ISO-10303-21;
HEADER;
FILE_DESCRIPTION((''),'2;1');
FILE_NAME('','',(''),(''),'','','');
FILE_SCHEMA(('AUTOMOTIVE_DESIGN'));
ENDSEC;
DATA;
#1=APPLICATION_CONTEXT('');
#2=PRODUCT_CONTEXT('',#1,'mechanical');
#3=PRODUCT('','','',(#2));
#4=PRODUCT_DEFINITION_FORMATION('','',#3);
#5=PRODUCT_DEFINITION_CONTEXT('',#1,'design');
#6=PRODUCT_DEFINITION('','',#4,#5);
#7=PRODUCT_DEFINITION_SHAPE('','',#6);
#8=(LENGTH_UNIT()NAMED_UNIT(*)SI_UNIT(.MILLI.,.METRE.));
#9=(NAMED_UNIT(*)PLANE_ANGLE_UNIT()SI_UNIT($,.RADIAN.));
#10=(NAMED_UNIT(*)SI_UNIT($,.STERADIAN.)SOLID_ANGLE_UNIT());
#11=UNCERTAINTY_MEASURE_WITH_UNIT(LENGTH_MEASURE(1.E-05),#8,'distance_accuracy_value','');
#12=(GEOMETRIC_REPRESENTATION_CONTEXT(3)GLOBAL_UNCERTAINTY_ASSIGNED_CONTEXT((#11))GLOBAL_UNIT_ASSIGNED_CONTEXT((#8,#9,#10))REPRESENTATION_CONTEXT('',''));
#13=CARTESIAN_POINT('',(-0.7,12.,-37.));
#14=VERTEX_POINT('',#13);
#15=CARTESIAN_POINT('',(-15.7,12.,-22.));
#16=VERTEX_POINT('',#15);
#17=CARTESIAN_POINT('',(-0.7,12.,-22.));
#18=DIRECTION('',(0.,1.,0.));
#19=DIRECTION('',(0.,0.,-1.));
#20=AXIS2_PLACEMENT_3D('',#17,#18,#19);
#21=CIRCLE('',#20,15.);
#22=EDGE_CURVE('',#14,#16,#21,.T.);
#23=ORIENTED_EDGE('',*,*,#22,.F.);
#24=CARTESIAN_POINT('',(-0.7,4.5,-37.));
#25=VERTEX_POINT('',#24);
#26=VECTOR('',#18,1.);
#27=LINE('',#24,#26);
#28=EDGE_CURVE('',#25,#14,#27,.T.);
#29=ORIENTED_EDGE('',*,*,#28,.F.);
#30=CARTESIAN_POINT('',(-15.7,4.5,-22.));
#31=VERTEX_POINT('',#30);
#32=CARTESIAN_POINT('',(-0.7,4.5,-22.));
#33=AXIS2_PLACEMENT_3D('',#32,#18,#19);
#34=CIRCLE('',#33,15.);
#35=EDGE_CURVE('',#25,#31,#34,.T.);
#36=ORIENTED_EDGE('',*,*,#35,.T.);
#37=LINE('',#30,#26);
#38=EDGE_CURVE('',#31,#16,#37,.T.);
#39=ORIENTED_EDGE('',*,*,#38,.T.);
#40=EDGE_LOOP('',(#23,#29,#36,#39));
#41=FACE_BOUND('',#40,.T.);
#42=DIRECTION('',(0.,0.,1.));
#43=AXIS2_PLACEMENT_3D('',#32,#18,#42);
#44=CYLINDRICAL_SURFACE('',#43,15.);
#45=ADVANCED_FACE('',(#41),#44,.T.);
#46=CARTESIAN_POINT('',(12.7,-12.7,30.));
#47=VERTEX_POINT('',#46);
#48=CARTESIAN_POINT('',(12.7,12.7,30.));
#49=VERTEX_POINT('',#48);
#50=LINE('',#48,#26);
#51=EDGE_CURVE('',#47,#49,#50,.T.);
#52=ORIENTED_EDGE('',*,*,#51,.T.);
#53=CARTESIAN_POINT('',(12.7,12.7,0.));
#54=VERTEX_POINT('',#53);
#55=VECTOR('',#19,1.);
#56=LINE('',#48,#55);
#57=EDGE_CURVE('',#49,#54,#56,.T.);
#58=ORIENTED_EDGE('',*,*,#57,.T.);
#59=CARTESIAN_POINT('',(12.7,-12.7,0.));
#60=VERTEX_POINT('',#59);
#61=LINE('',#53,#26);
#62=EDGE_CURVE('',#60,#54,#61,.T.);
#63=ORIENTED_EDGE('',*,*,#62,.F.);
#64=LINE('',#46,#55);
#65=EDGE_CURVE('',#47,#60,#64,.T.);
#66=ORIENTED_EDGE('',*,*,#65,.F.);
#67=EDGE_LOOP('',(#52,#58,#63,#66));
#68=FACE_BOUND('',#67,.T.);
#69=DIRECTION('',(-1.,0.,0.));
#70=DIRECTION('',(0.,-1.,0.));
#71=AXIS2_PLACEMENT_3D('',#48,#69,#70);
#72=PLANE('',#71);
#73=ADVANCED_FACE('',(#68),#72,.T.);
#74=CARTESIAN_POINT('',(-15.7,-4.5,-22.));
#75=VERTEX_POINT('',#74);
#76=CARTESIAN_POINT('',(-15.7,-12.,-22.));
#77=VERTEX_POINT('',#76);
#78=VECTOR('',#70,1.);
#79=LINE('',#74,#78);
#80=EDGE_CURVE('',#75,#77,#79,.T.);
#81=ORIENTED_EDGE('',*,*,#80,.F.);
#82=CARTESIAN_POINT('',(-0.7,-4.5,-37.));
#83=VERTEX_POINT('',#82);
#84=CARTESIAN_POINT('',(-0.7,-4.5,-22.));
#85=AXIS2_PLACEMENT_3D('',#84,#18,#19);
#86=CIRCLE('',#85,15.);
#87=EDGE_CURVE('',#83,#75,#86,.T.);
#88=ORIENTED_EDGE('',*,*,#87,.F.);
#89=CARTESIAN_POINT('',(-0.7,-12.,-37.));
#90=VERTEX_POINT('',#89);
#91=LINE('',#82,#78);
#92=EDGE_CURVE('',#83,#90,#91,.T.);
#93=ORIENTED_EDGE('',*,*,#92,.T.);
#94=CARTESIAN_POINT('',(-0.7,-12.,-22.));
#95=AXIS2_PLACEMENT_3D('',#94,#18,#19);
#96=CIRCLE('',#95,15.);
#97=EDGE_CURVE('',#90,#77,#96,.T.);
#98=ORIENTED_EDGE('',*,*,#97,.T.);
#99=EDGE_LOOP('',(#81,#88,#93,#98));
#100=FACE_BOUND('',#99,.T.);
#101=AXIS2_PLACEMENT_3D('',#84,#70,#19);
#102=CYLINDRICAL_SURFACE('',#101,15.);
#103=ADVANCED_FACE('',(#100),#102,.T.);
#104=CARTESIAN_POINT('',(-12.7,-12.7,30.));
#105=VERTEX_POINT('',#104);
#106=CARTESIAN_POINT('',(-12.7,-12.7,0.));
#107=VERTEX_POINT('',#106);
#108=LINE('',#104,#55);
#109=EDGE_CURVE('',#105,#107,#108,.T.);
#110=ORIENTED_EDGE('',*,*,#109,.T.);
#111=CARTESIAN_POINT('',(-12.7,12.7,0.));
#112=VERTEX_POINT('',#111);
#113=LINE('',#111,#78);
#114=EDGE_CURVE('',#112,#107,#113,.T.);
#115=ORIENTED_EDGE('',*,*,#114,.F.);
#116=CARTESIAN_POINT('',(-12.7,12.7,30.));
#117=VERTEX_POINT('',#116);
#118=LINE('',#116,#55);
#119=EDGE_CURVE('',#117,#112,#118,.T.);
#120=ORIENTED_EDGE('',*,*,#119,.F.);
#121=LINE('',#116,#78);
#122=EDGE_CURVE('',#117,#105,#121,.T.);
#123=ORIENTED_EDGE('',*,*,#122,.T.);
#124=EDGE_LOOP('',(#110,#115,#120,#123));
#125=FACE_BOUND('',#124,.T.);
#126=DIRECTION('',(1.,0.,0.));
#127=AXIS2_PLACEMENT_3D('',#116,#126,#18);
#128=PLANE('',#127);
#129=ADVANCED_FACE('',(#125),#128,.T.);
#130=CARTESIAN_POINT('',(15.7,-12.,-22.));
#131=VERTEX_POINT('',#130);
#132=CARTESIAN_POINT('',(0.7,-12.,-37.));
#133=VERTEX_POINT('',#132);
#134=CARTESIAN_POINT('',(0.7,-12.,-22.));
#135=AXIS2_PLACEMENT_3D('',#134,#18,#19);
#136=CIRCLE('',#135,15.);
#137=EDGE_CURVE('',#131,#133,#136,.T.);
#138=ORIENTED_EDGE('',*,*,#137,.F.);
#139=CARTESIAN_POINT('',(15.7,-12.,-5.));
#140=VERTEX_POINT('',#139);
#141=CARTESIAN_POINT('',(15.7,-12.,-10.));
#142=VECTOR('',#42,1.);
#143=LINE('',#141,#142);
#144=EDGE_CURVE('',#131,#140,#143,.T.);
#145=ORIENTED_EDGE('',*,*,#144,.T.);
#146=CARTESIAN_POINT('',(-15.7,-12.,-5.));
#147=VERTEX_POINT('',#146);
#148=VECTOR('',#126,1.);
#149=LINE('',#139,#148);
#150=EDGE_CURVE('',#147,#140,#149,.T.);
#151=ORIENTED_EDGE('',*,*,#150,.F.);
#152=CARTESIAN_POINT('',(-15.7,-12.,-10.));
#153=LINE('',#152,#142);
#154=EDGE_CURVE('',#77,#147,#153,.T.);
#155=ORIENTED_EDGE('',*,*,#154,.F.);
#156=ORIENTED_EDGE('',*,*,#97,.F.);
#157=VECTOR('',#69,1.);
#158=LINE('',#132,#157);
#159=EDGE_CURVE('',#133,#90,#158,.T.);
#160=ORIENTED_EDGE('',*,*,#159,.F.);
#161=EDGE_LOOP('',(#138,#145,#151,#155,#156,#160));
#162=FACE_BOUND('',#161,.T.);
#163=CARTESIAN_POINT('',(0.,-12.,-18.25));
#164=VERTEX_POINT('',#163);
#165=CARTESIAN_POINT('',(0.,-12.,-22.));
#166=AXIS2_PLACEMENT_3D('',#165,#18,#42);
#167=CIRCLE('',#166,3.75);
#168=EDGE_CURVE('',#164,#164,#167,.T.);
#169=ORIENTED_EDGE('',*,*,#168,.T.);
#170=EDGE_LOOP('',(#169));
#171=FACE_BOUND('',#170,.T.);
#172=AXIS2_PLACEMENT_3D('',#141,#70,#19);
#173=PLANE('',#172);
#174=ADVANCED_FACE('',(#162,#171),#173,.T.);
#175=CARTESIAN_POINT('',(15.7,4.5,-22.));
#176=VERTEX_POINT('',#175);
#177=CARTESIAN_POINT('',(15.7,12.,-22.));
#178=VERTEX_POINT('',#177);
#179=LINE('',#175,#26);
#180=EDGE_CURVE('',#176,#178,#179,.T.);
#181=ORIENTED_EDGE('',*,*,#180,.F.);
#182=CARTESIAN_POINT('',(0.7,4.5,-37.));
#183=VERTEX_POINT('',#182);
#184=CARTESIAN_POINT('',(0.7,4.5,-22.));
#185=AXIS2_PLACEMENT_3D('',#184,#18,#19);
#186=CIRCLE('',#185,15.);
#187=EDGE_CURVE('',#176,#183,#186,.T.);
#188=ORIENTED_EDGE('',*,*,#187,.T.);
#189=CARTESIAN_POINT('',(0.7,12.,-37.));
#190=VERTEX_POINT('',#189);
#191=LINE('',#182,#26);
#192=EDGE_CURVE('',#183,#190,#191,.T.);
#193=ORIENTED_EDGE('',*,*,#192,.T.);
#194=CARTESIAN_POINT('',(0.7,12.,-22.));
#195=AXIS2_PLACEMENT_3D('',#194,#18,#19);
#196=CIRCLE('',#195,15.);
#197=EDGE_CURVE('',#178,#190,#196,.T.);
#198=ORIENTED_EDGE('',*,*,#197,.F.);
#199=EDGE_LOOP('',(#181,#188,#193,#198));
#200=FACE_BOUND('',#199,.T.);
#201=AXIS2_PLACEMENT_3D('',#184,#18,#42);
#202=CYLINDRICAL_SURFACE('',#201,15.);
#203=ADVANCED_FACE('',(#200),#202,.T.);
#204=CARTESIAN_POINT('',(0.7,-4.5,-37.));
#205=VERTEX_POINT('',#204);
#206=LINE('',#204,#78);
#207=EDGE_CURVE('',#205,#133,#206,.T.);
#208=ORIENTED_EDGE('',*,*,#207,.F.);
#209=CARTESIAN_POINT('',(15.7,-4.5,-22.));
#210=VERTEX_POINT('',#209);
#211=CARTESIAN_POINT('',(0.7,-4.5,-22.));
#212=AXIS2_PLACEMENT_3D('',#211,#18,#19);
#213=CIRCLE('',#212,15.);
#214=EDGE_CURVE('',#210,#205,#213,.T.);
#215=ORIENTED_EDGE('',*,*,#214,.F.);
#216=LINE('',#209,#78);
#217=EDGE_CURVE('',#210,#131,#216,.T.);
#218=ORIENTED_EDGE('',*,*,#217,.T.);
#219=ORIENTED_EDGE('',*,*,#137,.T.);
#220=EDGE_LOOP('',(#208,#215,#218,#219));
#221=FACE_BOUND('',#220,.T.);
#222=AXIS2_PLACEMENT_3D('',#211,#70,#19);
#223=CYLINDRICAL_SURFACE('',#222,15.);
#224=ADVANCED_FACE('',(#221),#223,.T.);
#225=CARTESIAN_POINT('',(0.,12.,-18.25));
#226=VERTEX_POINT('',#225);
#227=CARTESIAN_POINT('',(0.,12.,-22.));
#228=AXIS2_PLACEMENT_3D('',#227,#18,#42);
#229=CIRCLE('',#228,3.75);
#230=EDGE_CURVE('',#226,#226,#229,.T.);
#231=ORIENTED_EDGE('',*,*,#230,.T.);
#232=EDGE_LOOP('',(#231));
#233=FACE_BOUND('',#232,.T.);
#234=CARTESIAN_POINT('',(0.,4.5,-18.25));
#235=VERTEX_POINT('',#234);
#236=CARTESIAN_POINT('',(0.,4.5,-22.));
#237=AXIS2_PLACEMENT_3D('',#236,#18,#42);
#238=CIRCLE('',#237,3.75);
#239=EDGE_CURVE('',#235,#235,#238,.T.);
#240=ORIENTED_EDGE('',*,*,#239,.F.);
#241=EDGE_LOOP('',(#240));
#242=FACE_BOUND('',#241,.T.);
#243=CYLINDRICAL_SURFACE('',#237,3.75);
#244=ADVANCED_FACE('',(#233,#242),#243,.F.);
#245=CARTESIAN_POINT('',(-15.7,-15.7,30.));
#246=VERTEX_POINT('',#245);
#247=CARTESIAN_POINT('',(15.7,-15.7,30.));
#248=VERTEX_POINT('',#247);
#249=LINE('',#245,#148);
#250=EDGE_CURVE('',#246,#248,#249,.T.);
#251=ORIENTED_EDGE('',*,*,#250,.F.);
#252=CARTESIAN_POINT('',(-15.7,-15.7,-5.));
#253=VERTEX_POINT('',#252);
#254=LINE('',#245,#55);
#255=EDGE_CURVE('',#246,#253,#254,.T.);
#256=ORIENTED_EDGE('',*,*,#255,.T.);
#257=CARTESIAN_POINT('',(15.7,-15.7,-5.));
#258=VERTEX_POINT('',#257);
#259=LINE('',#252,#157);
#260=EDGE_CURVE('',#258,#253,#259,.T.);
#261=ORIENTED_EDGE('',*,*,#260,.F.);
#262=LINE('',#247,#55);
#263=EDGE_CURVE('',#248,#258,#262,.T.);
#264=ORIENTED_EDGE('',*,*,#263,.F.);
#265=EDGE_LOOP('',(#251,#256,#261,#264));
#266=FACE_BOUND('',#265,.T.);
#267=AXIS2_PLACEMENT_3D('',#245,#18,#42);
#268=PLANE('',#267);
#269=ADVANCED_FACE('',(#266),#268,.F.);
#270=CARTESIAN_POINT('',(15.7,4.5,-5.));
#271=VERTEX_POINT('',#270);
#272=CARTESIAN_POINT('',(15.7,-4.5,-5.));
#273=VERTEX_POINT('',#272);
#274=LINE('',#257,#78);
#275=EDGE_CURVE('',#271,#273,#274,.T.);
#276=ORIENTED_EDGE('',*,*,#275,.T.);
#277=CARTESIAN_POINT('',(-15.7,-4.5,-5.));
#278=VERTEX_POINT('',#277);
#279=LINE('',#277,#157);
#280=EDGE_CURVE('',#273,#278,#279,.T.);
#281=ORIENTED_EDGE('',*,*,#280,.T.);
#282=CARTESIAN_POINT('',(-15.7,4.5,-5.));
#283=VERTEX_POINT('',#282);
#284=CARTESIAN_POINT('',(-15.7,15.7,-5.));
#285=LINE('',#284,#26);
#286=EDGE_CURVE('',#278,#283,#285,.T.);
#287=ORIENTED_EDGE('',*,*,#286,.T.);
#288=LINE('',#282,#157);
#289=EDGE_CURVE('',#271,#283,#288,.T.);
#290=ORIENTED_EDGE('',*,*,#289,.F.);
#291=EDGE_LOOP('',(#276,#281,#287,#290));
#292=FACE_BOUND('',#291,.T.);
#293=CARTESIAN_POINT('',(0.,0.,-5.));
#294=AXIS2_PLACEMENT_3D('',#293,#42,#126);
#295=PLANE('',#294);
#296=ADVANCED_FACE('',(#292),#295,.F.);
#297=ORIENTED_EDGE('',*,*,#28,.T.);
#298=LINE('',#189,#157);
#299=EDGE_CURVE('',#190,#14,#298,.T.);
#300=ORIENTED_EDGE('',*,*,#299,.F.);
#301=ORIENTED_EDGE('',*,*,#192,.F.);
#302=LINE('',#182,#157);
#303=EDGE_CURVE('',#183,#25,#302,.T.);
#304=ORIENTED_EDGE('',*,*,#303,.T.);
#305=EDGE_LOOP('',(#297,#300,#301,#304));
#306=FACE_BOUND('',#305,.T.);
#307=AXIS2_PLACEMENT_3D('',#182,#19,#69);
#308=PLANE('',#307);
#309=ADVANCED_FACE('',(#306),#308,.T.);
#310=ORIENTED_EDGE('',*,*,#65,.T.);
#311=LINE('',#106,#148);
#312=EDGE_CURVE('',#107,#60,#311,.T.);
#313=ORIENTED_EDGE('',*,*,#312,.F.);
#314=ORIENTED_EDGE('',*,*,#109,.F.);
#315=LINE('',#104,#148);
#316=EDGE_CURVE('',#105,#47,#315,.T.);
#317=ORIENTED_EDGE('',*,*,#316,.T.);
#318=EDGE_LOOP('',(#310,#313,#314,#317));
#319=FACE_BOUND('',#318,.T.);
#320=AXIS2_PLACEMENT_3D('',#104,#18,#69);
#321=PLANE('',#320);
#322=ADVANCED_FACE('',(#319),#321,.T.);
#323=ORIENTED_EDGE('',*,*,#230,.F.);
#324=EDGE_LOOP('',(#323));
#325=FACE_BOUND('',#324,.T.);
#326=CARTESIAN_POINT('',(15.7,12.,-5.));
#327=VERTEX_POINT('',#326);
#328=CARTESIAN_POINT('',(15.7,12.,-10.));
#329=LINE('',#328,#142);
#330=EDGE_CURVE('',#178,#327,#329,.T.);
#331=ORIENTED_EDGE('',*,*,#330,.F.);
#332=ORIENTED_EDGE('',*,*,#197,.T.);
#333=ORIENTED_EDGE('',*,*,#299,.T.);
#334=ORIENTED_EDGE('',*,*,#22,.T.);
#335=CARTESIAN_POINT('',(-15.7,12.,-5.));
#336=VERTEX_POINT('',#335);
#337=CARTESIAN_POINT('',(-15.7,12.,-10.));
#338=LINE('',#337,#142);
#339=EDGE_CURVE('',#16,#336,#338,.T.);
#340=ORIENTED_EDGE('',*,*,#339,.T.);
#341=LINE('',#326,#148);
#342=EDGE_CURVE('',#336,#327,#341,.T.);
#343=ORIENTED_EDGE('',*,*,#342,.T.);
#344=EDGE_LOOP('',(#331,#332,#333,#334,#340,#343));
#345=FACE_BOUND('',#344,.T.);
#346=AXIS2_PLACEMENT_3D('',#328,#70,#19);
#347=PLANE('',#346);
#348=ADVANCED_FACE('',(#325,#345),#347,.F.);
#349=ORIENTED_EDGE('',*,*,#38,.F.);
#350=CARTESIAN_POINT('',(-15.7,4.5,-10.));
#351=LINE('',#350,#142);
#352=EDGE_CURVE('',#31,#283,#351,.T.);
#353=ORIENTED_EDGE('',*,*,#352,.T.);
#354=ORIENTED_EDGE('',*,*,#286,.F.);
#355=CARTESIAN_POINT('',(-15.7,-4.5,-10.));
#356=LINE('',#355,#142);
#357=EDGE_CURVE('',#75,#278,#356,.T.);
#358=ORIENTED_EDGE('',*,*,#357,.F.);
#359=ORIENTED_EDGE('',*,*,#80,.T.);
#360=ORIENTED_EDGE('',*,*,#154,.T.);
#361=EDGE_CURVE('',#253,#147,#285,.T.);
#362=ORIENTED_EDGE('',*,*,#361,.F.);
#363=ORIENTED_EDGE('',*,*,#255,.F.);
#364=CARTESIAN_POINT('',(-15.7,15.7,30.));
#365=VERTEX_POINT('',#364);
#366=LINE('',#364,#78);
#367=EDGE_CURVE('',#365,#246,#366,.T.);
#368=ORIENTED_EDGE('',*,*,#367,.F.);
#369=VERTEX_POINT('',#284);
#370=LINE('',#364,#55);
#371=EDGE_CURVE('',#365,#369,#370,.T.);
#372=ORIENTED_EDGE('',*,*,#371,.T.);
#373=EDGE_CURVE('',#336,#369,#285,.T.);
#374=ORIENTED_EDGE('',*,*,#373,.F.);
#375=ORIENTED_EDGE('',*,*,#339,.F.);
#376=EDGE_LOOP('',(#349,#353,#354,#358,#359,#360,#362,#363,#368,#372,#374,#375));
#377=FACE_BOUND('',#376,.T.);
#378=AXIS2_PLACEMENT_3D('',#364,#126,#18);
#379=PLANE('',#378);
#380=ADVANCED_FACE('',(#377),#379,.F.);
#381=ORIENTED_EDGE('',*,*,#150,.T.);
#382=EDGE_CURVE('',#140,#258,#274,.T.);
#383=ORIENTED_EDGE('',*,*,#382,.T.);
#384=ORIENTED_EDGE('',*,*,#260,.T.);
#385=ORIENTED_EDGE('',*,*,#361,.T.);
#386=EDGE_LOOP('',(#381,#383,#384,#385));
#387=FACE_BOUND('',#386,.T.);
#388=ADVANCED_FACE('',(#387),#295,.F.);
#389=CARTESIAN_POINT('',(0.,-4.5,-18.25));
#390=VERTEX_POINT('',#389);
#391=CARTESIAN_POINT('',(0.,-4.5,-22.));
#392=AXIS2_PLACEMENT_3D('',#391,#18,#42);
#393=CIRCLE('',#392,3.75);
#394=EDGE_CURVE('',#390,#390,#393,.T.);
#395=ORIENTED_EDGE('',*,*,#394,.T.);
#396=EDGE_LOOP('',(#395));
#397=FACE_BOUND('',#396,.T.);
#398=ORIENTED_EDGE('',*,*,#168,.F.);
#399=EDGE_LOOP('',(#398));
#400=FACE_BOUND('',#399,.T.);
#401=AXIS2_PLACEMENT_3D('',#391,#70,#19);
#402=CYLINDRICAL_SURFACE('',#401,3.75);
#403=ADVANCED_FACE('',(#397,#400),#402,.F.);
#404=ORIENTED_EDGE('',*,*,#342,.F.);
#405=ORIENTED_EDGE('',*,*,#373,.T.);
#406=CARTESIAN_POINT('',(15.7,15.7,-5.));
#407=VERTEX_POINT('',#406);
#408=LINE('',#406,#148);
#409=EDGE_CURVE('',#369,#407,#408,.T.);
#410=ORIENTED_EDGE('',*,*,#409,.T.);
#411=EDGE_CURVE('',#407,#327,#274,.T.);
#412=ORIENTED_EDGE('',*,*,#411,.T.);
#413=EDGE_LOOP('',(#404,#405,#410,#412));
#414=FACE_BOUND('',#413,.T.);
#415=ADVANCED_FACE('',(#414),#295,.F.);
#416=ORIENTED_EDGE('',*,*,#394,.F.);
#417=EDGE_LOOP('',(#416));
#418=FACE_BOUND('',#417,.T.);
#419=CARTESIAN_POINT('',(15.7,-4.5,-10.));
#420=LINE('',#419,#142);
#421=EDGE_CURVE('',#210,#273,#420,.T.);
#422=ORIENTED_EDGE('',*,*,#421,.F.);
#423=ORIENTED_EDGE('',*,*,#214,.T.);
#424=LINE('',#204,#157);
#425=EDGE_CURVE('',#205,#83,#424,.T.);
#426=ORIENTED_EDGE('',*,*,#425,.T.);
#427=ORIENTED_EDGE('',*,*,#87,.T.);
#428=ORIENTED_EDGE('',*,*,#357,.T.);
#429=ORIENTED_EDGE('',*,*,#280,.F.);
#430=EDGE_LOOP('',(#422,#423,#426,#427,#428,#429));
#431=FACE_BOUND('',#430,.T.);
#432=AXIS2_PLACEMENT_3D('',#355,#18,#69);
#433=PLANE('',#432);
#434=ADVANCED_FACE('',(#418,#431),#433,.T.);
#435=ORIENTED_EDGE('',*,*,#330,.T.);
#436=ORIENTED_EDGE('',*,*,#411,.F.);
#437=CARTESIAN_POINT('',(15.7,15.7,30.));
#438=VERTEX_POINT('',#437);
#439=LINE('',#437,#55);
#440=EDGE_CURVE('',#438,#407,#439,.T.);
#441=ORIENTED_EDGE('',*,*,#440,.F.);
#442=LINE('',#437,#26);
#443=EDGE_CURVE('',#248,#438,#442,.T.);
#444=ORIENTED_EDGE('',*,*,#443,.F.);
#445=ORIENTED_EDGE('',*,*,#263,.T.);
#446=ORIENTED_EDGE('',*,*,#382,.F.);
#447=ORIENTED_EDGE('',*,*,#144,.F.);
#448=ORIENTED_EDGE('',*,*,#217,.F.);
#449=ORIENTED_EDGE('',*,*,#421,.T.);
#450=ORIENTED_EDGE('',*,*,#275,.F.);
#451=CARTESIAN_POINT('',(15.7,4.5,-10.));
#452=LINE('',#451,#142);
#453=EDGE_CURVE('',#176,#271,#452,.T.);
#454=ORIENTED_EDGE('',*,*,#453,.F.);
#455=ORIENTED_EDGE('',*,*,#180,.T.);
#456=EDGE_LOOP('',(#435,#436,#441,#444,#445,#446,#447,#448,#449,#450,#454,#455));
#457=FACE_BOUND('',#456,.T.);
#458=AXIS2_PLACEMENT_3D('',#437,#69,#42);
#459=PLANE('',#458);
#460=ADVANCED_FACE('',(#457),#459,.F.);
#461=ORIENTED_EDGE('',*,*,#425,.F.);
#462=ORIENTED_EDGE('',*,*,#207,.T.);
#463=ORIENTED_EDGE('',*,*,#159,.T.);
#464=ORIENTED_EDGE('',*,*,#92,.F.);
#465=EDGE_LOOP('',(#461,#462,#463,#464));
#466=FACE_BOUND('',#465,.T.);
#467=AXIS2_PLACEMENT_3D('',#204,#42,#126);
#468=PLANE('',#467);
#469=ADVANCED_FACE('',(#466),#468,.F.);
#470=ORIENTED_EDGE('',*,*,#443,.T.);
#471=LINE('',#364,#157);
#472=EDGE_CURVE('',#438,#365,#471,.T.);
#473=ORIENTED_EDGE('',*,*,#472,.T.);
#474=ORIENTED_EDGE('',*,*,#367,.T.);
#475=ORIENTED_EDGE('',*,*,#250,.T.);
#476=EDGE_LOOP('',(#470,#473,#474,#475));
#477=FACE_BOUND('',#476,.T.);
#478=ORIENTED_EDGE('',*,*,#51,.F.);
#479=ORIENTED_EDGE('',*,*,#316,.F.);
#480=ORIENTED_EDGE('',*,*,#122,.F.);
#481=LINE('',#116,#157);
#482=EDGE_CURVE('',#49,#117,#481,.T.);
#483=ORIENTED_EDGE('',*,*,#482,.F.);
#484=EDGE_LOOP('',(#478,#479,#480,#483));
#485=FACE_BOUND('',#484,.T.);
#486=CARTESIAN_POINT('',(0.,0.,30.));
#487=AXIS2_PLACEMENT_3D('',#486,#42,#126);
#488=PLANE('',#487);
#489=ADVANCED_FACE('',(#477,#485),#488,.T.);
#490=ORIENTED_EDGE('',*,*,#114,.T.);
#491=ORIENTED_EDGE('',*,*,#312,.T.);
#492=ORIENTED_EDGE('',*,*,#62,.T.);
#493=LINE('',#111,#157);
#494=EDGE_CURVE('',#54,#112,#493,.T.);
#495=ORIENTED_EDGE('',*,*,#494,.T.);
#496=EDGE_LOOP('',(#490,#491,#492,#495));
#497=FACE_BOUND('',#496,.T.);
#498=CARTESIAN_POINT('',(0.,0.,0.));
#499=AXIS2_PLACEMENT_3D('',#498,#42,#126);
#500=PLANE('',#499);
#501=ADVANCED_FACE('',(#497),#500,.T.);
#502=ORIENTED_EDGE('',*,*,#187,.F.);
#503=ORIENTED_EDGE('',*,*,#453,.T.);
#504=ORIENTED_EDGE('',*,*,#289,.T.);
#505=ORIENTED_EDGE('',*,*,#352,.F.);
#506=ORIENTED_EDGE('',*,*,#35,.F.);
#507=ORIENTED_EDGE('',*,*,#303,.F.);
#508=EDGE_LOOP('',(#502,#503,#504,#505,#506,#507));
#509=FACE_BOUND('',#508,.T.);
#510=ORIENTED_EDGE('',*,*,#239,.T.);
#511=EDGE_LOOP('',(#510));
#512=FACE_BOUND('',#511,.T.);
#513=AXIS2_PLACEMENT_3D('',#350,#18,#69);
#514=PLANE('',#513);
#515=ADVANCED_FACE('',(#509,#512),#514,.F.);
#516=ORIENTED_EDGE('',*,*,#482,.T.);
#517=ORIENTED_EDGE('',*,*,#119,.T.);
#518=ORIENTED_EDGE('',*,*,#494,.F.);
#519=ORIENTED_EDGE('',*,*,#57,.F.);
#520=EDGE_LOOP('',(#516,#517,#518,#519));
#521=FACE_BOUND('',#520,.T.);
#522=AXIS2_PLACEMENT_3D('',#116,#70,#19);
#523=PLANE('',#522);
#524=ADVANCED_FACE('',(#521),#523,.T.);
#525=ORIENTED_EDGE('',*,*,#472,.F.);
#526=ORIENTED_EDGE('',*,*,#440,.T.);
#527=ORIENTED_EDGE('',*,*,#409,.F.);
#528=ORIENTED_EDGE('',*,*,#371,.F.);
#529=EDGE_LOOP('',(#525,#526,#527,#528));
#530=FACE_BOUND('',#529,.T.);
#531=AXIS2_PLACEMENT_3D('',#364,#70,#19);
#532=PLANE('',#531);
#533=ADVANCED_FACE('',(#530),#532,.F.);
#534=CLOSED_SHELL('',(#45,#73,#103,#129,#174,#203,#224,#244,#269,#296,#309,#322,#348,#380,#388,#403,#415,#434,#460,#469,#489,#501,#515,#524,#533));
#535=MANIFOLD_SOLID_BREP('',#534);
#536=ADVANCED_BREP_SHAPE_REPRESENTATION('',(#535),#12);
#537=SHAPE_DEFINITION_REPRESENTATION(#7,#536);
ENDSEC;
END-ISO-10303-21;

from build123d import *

# Parameters (mm, degrees)
SKETCH1_W           = 31.4
SKETCH1_H           = 31.4
SKETCH1_W_2         = 25.4
SKETCH1_H_2         = 25.4
BOSS_EXTRUDE1_DEPTH = 30
SKETCH2_W           = 31.4
SKETCH2_H           = 31.4
BOSS_EXTRUDE2_DEPTH = 5
SKETCH3_W           = 31.4
SKETCH3_H           = 7.5
BOSS_EXTRUDE3_DEPTH = 5
SKETCH6_R           = 3.75
BOSS_EXTRUDE6_DEPTH = 7.5


with BuildPart() as part:
    # Sketch1 → Boss-Extrude1 (new body)
    with BuildSketch(Plane.XY):
        Rectangle(SKETCH1_W, SKETCH1_H)
        Rectangle(SKETCH1_W_2, SKETCH1_H_2, mode=Mode.SUBTRACT)
    extrude(amount=BOSS_EXTRUDE1_DEPTH)

    # Sketch2 → Boss-Extrude2 (add)
    with BuildSketch(Plane(origin=(0, 0, 0), x_dir=(-1, 0, 0), z_dir=(0, 0, -1))):
        Rectangle(SKETCH2_W, SKETCH2_H)
    extrude(amount=BOSS_EXTRUDE2_DEPTH)

    # Sketch3 → Boss-Extrude3 (add)
    with BuildSketch(Plane(origin=(0, 0, -5), x_dir=(-1, 0, 0), z_dir=(0, 0, -1))):
        with Locations((0, 8.25)):
            Rectangle(SKETCH3_W, SKETCH3_H)
    boss_extrude3 = extrude(amount=BOSS_EXTRUDE3_DEPTH)

    # Sketch6 → Boss-Extrude6 (add)
    with BuildSketch(Plane(origin=(0, 12, 0), x_dir=(1, 0, 0), z_dir=(0, 1, 0))):
        with BuildLine():
            Line((-15.7, 10), (-15.7, 22))
            ThreePointArc((-15.7, 22), (-11.306601718, 32.606601718), (-0.7, 37))
            Line((-0.7, 37), (0.7, 37))
            ThreePointArc((0.7, 37), (11.306601718, 32.606601718), (15.7, 22))
            Line((15.7, 22), (15.7, 10))
            Line((15.7, 10), (-15.7, 10))
        make_face()
        with Locations(Location((0, 22, 0), (0, 0, 270))):
            Circle(SKETCH6_R, mode=Mode.SUBTRACT)
    boss_extrude6 = extrude(amount=-BOSS_EXTRUDE6_DEPTH)

    # Mirror1: Boss-Extrude3, Boss-Extrude6 across plane
    add(boss_extrude3.mirror(Plane.ZX))
    add(boss_extrude6.mirror(Plane.ZX))


solid = part.part
